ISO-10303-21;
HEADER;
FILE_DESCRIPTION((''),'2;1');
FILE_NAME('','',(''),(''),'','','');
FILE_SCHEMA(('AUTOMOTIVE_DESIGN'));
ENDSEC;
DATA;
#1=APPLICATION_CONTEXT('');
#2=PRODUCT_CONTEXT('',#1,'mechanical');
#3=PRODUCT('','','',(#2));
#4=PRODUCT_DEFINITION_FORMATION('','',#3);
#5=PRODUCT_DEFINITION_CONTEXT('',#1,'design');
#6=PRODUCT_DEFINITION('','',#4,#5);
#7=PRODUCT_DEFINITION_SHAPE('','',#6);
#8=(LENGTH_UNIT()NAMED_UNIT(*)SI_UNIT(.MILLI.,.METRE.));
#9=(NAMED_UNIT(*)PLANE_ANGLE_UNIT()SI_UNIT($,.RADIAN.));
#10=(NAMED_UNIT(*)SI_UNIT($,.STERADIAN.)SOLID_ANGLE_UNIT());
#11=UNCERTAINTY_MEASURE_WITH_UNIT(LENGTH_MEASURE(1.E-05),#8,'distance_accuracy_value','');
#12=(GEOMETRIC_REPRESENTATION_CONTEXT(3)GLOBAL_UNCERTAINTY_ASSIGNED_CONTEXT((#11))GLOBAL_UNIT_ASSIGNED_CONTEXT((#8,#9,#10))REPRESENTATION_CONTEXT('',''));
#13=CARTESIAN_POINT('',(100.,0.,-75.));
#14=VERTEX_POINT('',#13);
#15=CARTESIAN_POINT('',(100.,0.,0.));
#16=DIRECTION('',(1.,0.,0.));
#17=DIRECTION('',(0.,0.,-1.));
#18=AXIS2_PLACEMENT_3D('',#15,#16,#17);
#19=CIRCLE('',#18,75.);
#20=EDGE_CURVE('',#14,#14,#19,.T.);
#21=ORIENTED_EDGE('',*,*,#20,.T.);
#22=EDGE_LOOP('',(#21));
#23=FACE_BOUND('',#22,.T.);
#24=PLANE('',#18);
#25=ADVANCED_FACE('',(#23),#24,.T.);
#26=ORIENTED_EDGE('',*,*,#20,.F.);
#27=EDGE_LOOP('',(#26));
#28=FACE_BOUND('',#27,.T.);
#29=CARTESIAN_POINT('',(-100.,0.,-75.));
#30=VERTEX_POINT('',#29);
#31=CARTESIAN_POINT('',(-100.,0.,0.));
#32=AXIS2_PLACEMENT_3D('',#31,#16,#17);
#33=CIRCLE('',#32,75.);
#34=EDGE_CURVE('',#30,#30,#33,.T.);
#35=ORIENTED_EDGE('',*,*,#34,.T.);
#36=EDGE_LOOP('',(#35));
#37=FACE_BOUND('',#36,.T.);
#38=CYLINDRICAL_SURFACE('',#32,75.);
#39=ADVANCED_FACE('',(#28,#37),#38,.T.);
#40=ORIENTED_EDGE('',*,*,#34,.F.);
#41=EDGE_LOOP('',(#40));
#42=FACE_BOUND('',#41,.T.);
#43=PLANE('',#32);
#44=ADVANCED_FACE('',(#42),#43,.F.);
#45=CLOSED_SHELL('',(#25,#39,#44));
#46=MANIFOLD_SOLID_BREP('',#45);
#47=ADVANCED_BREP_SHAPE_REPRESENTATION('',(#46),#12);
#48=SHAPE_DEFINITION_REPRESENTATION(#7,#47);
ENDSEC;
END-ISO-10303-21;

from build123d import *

# Parameters (mm, degrees)
BOSS_EXTRUDE1_DEPTH      = 100
BOSS_EXTRUDE1_DEPTH_BACK = 100
SKETCH1_R                = 75


with BuildPart() as part:
    # Sketch1 → Boss-Extrude1 (new, two sides: drawn at the far end of the back side and taken through both)
    with BuildSketch(Plane(origin=(0, 0, 0), x_dir=(0, 0, -1), z_dir=(1, 0, 0)).offset(-BOSS_EXTRUDE1_DEPTH_BACK)):
        Circle(SKETCH1_R)
    extrude(amount=BOSS_EXTRUDE1_DEPTH + BOSS_EXTRUDE1_DEPTH_BACK)


solid = part.part
